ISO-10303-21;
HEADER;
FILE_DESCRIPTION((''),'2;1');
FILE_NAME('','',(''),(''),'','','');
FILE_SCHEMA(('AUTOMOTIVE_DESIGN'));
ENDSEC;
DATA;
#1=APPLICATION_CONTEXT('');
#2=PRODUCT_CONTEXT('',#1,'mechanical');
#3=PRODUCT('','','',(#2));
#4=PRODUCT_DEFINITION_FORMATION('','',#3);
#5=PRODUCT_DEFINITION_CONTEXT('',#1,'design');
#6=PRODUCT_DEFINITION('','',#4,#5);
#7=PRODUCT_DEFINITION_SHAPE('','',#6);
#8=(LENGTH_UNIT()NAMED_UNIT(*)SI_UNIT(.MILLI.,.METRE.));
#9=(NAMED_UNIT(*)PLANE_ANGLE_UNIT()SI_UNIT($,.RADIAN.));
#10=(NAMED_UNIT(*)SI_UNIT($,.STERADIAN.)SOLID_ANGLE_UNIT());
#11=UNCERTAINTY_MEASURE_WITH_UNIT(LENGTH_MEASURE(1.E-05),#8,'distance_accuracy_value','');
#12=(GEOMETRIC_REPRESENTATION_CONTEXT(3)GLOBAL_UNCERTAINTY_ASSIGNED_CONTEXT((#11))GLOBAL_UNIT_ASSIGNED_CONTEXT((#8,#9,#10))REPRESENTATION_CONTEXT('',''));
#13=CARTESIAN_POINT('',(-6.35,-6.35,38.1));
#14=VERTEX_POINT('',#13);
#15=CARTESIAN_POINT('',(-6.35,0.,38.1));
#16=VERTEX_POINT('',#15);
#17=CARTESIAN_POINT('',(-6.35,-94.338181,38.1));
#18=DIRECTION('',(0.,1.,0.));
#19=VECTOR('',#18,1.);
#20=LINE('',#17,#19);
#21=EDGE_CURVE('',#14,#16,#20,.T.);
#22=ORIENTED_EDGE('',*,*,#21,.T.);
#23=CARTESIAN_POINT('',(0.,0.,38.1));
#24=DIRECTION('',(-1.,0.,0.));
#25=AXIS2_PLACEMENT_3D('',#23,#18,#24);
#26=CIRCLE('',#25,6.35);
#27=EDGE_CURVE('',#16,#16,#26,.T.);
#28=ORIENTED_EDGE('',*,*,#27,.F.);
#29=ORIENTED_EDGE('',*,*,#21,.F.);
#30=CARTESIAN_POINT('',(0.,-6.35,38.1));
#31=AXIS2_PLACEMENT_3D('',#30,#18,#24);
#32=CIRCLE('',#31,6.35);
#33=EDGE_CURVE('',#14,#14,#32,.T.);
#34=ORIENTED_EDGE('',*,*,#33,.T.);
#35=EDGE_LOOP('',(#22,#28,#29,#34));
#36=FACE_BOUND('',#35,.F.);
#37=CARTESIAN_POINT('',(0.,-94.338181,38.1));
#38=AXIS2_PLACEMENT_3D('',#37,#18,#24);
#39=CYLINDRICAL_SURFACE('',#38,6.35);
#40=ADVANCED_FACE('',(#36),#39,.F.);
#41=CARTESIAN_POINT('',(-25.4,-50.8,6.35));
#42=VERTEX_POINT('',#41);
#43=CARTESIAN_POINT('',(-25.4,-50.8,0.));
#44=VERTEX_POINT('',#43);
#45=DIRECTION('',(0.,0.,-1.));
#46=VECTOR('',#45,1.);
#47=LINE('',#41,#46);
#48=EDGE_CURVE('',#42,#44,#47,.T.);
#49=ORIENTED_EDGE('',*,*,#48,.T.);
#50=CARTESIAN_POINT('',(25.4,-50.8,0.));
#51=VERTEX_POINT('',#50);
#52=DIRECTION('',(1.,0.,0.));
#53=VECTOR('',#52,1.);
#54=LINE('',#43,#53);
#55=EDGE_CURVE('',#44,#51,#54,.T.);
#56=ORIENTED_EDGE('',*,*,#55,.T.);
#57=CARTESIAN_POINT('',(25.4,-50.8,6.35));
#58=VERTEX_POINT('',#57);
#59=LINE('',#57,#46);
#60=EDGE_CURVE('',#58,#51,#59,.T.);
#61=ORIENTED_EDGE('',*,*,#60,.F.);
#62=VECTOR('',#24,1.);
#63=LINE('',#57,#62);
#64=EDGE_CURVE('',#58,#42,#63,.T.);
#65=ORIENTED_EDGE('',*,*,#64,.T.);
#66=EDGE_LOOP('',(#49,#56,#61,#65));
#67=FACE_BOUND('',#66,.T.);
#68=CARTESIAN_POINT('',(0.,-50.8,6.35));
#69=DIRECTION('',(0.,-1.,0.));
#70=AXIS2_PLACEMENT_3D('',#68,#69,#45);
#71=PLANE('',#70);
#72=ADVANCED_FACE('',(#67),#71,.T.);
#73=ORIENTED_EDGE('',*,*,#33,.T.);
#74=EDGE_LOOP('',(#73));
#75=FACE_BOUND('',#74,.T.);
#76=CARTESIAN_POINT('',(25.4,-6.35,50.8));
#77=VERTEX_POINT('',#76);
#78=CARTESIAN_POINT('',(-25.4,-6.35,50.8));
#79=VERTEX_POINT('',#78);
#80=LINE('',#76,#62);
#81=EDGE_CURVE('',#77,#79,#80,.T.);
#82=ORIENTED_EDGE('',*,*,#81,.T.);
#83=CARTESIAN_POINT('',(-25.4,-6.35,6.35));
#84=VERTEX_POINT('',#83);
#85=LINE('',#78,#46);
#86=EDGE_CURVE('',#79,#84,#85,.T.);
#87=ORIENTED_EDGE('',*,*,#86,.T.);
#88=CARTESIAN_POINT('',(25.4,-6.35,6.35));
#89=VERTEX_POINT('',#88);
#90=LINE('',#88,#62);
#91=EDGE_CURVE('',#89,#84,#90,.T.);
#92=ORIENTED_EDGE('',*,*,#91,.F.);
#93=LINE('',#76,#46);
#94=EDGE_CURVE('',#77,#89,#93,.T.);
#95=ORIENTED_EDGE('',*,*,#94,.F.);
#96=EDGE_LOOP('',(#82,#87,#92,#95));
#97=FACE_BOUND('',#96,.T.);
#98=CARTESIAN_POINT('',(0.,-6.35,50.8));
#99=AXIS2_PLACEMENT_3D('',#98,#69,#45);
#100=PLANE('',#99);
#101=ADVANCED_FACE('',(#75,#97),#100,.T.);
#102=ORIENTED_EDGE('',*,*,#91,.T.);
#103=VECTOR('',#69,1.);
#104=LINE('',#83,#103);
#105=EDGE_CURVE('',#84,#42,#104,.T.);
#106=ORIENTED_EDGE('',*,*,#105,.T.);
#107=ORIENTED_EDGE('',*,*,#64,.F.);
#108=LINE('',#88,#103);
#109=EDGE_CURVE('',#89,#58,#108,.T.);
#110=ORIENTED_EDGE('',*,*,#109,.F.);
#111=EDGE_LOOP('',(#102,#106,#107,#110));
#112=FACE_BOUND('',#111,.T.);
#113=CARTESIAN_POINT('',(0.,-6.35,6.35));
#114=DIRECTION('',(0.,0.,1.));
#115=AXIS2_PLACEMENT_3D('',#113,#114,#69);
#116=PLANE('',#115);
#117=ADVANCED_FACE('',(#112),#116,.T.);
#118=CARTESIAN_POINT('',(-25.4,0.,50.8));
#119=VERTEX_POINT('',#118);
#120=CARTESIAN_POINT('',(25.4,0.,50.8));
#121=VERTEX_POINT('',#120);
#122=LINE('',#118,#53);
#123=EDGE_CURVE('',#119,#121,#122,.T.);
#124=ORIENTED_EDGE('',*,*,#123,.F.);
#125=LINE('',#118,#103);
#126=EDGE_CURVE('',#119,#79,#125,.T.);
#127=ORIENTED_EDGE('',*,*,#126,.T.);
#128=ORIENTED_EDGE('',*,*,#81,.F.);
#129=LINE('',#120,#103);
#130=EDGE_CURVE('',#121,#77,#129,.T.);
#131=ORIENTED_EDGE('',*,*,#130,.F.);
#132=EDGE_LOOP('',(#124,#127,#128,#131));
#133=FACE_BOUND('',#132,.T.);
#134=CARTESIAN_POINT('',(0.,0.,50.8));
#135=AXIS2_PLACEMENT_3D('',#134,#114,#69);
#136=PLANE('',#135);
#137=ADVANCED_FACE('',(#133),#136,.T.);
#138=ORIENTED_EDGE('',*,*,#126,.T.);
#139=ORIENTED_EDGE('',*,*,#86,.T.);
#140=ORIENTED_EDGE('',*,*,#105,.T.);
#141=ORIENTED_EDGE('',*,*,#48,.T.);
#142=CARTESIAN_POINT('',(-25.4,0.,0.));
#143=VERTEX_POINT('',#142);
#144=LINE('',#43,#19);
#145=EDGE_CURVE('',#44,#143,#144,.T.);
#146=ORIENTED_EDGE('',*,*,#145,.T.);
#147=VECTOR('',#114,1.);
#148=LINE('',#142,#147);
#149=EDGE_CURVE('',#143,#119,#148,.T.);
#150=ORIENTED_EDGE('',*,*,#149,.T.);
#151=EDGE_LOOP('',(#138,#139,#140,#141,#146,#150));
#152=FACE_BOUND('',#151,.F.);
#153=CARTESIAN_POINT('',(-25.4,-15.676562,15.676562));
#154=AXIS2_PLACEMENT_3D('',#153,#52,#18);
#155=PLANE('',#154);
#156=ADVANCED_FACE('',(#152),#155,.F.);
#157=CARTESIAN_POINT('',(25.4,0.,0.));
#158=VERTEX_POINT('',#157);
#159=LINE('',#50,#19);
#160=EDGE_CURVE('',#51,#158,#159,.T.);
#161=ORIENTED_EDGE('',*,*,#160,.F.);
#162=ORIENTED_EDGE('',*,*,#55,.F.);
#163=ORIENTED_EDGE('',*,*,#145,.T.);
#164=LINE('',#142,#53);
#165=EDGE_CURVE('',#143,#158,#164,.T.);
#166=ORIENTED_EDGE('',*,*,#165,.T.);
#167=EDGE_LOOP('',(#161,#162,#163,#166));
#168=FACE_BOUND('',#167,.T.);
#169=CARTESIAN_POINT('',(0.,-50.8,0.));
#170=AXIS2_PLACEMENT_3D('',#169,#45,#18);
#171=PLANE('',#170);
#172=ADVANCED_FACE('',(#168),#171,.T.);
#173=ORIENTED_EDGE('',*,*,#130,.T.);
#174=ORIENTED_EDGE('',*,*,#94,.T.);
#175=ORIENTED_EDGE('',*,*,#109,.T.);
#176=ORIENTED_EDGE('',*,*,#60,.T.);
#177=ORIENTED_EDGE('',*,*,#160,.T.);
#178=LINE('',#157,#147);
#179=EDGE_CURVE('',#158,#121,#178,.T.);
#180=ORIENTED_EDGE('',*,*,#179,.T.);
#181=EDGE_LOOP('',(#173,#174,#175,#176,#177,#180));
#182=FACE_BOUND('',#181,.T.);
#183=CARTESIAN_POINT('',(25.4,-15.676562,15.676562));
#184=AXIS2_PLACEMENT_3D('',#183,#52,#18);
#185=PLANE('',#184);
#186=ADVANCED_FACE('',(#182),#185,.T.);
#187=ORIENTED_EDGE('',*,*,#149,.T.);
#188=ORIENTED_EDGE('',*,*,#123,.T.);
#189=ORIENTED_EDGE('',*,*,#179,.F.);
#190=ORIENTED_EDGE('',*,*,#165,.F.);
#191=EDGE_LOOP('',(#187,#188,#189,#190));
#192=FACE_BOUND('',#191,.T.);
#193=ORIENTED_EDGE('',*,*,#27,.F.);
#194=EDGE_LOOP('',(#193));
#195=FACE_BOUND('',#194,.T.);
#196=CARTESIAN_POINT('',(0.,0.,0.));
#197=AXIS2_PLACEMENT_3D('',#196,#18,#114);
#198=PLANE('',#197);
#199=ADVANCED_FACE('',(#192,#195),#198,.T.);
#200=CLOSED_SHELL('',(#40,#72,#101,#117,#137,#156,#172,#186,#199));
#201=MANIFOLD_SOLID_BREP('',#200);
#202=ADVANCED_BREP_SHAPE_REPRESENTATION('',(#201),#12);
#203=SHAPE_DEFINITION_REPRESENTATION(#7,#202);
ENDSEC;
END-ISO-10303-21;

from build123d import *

# Parameters (mm, degrees)
F1_DEPTH = 25.4
F3_D     = 12.7


with BuildPart() as f1:
    # F0 (on Right) → F1 (new body, symmetric)
    with BuildSketch(Plane.YZ):
        Polygon((-50.8, 6.35), (-50.8, 0), (0, 0), (0, 50.8), (-6.35, 50.8), (-6.35, 6.35), align=None)
    extrude(amount=F1_DEPTH, both=True)

    # F3 (through all)
    with Locations(Plane.XZ.offset(6.35)):
        with Locations((0, 38.1)):
            Hole(F3_D / 2)


solid = f1.part
